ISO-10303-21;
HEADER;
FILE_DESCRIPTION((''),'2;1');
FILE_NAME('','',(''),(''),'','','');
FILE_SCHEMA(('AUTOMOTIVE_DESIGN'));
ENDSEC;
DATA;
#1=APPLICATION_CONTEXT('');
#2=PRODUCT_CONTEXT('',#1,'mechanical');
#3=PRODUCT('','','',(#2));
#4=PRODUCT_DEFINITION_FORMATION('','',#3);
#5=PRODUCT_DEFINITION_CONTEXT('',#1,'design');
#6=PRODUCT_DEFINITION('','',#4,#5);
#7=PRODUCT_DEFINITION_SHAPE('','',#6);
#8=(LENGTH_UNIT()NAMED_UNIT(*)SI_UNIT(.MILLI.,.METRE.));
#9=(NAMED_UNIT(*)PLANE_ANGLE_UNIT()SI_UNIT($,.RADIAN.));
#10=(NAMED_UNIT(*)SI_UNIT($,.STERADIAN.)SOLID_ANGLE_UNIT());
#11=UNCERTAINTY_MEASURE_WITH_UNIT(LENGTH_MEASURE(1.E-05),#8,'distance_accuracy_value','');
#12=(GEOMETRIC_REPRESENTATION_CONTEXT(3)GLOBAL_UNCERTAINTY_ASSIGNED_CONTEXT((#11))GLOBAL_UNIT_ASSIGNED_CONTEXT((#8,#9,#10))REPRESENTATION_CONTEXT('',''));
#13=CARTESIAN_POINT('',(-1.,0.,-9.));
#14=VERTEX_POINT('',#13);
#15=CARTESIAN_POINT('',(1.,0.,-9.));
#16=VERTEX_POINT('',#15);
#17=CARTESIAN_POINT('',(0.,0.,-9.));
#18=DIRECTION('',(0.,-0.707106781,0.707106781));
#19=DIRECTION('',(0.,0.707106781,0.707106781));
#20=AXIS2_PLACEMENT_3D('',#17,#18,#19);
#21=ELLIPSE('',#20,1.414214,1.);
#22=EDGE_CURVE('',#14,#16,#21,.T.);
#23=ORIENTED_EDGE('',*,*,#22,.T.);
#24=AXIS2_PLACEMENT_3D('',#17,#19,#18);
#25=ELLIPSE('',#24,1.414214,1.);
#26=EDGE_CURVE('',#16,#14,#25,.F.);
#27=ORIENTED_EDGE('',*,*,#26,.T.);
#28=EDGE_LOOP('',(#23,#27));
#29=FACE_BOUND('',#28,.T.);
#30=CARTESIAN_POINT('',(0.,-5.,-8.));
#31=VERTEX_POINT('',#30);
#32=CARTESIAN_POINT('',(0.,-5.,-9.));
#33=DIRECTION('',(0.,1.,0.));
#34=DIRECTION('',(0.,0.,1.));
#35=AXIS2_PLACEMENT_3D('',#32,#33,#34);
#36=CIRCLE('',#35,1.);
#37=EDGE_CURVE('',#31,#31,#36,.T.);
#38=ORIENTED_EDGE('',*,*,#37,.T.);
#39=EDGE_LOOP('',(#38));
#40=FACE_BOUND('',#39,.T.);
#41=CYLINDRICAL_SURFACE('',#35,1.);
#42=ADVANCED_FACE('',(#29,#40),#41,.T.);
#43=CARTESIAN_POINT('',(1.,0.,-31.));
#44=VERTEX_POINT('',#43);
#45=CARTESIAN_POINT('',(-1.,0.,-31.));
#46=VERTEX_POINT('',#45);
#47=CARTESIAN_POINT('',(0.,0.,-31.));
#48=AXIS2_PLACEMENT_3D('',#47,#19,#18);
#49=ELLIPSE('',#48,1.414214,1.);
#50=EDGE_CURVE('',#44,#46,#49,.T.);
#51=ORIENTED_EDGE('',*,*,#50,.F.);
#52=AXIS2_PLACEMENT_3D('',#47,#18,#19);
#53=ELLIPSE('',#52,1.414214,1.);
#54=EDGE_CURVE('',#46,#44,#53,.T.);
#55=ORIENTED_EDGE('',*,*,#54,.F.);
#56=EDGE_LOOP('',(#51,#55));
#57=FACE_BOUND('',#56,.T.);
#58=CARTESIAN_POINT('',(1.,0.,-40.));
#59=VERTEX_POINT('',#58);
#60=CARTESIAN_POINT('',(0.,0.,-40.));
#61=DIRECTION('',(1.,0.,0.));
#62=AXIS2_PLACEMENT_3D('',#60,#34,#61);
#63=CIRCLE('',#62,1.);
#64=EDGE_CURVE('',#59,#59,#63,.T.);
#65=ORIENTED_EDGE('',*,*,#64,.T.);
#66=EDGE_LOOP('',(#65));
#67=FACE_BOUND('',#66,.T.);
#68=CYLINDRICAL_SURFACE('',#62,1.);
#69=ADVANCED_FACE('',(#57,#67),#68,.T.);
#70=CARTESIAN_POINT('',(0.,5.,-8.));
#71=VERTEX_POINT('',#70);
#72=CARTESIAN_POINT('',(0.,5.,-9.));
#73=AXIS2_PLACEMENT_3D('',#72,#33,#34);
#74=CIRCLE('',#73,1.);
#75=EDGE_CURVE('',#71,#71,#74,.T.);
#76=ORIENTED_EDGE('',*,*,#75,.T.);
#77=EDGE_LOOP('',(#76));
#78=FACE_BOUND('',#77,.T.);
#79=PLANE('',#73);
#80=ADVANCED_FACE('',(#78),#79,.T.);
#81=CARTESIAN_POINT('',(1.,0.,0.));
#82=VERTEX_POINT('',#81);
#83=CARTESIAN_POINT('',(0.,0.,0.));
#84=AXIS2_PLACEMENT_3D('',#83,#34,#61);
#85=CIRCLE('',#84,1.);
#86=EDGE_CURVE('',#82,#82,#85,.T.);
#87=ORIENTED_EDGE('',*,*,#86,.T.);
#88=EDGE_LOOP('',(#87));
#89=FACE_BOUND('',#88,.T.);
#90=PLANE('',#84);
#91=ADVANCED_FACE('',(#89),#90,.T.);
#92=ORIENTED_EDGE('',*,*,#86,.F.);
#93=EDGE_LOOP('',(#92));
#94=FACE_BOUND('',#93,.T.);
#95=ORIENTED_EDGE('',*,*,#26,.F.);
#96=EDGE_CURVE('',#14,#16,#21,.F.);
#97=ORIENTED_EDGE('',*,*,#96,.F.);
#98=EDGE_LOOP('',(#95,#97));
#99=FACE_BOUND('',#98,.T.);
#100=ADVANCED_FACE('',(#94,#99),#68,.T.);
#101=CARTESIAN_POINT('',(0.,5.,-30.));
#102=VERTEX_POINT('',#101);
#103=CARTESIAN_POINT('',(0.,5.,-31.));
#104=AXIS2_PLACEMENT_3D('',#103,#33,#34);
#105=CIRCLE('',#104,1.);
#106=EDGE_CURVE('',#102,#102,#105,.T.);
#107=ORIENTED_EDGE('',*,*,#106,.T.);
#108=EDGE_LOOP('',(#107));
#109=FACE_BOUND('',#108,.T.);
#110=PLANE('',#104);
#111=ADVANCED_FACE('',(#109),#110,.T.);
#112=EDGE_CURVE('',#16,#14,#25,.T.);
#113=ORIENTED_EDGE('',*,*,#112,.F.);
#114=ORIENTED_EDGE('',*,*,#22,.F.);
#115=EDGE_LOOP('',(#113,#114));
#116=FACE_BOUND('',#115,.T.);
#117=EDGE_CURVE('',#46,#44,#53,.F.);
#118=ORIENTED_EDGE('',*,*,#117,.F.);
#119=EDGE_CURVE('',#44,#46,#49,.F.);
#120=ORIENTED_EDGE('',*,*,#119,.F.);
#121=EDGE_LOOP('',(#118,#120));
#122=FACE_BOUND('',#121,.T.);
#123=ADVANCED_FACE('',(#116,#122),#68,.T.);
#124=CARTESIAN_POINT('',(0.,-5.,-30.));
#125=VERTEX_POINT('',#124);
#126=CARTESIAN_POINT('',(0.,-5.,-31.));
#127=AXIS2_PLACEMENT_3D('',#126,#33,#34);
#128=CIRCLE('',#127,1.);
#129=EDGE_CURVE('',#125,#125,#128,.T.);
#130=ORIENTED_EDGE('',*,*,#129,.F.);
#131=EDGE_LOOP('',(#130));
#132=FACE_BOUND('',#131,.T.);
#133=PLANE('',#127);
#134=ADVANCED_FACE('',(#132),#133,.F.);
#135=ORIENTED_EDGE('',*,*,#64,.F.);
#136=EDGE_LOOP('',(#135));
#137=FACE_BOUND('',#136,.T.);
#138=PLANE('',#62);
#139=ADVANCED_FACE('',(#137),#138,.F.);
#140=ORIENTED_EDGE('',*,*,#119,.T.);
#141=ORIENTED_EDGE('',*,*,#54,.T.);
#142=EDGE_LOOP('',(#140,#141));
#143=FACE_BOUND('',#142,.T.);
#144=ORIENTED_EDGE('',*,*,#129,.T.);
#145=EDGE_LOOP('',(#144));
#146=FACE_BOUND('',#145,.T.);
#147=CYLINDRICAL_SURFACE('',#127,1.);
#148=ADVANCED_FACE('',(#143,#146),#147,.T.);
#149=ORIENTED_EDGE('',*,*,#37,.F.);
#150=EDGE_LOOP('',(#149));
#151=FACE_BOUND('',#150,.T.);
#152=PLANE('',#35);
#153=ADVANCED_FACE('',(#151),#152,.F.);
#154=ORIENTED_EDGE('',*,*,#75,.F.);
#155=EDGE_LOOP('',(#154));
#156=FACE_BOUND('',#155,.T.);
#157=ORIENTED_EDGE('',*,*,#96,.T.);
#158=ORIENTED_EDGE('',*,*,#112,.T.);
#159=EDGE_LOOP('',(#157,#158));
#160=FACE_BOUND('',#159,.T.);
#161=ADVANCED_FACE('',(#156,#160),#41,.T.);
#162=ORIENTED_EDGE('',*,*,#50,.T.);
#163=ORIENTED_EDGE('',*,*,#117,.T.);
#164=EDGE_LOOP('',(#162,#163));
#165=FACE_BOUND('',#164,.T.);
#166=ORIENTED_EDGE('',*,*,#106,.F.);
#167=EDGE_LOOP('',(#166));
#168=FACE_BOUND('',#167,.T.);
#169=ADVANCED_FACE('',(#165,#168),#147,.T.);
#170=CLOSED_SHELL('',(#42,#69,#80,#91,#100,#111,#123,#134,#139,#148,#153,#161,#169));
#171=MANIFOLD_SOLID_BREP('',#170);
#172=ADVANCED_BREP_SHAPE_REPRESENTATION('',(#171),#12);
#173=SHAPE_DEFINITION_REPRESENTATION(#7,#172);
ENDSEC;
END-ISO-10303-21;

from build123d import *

# Parameters (mm, degrees)
ESQUISSE1_R             = 1
BOSS_EXTRU_1_DEPTH      = 40
ESQUISSE2_R             = 1
BOSS_EXTRU_2_DEPTH      = 5
BOSS_EXTRU_2_DEPTH_BACK = 5


with BuildPart() as part:
    # Esquisse1 → Boss.-Extru.1 (new body)
    with BuildSketch(Plane.XY):
        Circle(ESQUISSE1_R)
    extrude(amount=-BOSS_EXTRU_1_DEPTH)

    # Esquisse2 → Boss.-Extru.2 (add, two sides)
    with BuildSketch(Plane(origin=(0, 0, 0), x_dir=(1, 0, 0), z_dir=(0, 1, 0))) as boss_extru_2_sk:
        with Locations(Location((0, 9, 0), (0, 0, 270))):  # turned: the seam where the file's is
            Circle(ESQUISSE2_R)
        with Locations(Location((0, 31, 0), (0, 0, 270))):  # turned: the seam where the file's is
            Circle(ESQUISSE2_R)
    extrude(amount=BOSS_EXTRU_2_DEPTH)
    extrude(boss_extru_2_sk.sketch, amount=-BOSS_EXTRU_2_DEPTH_BACK)


solid = part.part
